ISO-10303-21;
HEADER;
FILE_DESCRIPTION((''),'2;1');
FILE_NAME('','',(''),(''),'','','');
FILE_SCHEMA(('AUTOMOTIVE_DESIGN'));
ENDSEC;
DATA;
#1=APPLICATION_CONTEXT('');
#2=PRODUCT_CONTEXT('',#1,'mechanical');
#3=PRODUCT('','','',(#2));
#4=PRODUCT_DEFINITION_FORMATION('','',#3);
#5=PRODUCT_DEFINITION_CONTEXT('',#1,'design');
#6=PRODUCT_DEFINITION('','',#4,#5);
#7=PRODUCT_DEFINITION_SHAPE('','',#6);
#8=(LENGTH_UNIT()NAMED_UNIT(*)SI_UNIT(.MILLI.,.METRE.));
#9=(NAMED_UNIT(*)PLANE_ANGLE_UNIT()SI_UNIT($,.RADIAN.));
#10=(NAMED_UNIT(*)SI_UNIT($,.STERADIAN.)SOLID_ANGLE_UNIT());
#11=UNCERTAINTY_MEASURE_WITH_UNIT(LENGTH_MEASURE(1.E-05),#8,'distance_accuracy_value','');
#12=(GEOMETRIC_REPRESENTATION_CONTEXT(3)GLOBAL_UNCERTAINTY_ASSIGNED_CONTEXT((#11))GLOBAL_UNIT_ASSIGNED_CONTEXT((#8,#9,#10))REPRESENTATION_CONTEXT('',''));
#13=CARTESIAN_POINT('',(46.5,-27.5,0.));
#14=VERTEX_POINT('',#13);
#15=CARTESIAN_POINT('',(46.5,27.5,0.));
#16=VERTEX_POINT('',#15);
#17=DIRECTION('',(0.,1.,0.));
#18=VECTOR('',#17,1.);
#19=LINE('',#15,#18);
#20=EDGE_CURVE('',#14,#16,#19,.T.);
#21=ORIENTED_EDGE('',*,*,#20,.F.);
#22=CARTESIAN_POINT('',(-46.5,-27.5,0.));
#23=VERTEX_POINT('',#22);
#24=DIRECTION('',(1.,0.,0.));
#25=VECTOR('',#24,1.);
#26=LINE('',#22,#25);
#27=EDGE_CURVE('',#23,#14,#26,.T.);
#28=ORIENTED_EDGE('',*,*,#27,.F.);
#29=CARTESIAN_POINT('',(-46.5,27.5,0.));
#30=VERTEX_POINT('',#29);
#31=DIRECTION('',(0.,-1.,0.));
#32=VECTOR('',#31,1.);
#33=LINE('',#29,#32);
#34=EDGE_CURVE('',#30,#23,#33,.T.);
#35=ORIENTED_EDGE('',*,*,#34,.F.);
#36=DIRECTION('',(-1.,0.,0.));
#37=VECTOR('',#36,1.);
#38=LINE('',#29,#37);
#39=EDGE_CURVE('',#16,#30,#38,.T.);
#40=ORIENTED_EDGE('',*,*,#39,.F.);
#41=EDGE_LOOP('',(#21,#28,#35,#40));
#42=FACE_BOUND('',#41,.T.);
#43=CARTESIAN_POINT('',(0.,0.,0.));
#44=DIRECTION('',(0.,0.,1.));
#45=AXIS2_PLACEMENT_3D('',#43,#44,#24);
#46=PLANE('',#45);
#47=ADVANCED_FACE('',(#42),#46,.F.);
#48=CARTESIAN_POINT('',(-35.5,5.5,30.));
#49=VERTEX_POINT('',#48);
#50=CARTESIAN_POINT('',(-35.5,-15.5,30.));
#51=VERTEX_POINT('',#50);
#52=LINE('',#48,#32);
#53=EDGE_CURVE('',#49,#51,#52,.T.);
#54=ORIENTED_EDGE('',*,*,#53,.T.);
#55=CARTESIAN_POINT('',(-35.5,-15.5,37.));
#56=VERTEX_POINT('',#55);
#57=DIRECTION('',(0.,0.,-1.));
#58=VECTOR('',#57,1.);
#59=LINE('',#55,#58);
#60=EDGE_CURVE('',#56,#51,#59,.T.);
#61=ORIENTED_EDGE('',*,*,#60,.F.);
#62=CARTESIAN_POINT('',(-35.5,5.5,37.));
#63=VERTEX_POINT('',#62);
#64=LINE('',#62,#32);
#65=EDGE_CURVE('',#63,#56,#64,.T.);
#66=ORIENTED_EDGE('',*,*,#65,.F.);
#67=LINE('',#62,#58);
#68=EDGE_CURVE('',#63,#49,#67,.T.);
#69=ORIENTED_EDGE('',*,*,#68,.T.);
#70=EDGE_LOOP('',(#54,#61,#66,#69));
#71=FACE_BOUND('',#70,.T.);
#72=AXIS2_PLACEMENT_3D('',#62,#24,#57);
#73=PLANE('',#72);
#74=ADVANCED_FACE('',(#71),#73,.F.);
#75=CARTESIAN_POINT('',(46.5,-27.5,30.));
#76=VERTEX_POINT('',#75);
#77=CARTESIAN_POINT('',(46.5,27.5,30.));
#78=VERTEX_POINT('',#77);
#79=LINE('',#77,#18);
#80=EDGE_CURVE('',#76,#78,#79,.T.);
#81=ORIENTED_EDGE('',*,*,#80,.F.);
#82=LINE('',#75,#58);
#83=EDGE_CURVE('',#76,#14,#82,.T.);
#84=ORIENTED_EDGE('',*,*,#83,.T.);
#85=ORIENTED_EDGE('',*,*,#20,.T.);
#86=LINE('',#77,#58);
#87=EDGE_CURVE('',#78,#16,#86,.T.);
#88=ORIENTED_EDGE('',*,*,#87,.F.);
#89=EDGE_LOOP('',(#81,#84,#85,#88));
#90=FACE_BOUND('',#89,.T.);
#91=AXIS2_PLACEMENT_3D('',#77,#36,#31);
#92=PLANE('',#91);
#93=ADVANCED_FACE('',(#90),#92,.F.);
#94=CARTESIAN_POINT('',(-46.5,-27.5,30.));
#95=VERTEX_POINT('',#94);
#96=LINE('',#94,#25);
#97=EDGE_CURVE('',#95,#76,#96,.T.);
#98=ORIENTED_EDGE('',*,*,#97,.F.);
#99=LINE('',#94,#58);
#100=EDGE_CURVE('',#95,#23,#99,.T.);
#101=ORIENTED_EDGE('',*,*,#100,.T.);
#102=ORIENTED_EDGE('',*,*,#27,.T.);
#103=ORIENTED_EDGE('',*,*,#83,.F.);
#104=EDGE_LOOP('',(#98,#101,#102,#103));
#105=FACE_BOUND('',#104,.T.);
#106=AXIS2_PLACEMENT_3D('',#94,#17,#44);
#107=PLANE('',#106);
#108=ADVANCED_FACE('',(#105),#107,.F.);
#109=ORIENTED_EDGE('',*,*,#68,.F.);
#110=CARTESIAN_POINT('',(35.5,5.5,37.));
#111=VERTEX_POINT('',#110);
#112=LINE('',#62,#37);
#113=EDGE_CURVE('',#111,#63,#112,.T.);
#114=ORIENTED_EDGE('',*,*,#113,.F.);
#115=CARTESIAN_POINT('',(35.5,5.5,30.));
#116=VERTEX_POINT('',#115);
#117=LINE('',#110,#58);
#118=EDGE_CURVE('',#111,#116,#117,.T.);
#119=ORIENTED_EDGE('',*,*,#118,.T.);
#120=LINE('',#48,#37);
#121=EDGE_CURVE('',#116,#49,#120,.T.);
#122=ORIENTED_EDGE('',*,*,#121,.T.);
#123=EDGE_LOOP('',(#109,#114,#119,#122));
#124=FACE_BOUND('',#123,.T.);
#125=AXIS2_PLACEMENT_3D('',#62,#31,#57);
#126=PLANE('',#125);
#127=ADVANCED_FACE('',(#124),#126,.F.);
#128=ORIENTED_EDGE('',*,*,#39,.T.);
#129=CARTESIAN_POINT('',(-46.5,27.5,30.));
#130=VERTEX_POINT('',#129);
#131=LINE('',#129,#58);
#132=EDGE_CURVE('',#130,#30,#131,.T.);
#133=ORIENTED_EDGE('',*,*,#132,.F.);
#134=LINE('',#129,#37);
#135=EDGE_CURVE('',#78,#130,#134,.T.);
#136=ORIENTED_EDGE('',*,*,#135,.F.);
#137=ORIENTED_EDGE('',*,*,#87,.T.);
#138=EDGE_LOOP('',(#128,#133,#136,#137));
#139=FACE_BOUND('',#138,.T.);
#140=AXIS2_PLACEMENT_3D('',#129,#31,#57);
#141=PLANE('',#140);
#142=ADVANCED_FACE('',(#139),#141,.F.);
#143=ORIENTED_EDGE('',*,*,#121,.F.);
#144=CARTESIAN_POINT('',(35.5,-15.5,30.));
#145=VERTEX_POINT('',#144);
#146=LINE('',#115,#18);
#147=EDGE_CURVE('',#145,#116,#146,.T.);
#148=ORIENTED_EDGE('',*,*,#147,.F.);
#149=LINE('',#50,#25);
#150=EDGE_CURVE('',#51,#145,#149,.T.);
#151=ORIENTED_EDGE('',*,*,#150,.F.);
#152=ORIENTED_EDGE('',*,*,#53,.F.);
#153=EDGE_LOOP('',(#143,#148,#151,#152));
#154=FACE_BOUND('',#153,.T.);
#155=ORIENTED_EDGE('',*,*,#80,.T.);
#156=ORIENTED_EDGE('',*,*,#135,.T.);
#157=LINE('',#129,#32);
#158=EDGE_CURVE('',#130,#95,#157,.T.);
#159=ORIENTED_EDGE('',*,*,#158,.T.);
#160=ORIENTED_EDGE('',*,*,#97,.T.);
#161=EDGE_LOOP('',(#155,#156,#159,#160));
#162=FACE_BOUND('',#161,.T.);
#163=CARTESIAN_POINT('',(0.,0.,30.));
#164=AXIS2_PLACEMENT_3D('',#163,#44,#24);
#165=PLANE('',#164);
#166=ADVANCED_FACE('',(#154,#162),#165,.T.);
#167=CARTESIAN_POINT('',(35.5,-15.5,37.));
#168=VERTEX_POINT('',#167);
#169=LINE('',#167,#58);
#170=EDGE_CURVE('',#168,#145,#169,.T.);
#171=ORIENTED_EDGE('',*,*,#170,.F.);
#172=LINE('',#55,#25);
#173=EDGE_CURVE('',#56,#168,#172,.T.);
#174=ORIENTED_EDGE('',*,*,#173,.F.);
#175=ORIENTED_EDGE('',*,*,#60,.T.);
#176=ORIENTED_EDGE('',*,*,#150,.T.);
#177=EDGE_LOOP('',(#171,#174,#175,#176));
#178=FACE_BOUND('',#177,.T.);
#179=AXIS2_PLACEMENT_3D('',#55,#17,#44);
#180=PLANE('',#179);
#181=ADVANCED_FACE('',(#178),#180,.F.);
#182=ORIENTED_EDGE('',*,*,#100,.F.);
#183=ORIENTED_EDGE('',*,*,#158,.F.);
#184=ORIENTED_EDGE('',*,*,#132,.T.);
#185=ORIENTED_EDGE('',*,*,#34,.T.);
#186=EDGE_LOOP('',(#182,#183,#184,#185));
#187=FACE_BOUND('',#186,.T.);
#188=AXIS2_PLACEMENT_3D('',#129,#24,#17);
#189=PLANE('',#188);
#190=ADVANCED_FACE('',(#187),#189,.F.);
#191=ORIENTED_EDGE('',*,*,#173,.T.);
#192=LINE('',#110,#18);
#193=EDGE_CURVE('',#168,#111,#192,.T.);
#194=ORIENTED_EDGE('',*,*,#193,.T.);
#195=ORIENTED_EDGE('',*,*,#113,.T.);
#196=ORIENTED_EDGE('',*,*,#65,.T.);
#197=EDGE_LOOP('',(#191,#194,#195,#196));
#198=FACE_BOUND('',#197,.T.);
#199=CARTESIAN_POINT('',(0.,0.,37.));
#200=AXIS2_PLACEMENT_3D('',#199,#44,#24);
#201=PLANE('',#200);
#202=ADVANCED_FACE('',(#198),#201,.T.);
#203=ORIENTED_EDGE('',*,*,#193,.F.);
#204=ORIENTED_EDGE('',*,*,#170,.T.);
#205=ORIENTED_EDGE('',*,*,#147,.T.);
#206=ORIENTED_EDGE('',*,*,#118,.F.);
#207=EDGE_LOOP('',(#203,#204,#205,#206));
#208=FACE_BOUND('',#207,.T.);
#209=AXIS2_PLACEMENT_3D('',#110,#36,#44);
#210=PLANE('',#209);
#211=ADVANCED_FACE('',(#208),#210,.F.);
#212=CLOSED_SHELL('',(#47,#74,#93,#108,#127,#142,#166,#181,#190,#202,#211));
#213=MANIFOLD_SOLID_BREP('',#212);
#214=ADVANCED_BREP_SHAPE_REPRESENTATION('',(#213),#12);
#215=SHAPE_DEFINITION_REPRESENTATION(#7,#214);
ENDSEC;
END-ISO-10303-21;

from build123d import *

# Parameters (mm, degrees)
SKETCH1_W           = 93
SKETCH1_H           = 55
BOSS_EXTRUDE1_DEPTH = 30
SKETCH2_W           = 71
SKETCH2_H           = 21
BOSS_EXTRUDE2_DEPTH = 7


with BuildPart() as part:
    # Sketch1 → Boss-Extrude1 (new body)
    with BuildSketch(Plane.XY):
        Rectangle(SKETCH1_W, SKETCH1_H)
    extrude(amount=BOSS_EXTRUDE1_DEPTH)

    # Sketch2 → Boss-Extrude2 (add)
    with BuildSketch(Plane.XY.offset(30)):
        with Locations((0, -5)):
            Rectangle(SKETCH2_W, SKETCH2_H)
    extrude(amount=BOSS_EXTRUDE2_DEPTH)


solid = part.part
